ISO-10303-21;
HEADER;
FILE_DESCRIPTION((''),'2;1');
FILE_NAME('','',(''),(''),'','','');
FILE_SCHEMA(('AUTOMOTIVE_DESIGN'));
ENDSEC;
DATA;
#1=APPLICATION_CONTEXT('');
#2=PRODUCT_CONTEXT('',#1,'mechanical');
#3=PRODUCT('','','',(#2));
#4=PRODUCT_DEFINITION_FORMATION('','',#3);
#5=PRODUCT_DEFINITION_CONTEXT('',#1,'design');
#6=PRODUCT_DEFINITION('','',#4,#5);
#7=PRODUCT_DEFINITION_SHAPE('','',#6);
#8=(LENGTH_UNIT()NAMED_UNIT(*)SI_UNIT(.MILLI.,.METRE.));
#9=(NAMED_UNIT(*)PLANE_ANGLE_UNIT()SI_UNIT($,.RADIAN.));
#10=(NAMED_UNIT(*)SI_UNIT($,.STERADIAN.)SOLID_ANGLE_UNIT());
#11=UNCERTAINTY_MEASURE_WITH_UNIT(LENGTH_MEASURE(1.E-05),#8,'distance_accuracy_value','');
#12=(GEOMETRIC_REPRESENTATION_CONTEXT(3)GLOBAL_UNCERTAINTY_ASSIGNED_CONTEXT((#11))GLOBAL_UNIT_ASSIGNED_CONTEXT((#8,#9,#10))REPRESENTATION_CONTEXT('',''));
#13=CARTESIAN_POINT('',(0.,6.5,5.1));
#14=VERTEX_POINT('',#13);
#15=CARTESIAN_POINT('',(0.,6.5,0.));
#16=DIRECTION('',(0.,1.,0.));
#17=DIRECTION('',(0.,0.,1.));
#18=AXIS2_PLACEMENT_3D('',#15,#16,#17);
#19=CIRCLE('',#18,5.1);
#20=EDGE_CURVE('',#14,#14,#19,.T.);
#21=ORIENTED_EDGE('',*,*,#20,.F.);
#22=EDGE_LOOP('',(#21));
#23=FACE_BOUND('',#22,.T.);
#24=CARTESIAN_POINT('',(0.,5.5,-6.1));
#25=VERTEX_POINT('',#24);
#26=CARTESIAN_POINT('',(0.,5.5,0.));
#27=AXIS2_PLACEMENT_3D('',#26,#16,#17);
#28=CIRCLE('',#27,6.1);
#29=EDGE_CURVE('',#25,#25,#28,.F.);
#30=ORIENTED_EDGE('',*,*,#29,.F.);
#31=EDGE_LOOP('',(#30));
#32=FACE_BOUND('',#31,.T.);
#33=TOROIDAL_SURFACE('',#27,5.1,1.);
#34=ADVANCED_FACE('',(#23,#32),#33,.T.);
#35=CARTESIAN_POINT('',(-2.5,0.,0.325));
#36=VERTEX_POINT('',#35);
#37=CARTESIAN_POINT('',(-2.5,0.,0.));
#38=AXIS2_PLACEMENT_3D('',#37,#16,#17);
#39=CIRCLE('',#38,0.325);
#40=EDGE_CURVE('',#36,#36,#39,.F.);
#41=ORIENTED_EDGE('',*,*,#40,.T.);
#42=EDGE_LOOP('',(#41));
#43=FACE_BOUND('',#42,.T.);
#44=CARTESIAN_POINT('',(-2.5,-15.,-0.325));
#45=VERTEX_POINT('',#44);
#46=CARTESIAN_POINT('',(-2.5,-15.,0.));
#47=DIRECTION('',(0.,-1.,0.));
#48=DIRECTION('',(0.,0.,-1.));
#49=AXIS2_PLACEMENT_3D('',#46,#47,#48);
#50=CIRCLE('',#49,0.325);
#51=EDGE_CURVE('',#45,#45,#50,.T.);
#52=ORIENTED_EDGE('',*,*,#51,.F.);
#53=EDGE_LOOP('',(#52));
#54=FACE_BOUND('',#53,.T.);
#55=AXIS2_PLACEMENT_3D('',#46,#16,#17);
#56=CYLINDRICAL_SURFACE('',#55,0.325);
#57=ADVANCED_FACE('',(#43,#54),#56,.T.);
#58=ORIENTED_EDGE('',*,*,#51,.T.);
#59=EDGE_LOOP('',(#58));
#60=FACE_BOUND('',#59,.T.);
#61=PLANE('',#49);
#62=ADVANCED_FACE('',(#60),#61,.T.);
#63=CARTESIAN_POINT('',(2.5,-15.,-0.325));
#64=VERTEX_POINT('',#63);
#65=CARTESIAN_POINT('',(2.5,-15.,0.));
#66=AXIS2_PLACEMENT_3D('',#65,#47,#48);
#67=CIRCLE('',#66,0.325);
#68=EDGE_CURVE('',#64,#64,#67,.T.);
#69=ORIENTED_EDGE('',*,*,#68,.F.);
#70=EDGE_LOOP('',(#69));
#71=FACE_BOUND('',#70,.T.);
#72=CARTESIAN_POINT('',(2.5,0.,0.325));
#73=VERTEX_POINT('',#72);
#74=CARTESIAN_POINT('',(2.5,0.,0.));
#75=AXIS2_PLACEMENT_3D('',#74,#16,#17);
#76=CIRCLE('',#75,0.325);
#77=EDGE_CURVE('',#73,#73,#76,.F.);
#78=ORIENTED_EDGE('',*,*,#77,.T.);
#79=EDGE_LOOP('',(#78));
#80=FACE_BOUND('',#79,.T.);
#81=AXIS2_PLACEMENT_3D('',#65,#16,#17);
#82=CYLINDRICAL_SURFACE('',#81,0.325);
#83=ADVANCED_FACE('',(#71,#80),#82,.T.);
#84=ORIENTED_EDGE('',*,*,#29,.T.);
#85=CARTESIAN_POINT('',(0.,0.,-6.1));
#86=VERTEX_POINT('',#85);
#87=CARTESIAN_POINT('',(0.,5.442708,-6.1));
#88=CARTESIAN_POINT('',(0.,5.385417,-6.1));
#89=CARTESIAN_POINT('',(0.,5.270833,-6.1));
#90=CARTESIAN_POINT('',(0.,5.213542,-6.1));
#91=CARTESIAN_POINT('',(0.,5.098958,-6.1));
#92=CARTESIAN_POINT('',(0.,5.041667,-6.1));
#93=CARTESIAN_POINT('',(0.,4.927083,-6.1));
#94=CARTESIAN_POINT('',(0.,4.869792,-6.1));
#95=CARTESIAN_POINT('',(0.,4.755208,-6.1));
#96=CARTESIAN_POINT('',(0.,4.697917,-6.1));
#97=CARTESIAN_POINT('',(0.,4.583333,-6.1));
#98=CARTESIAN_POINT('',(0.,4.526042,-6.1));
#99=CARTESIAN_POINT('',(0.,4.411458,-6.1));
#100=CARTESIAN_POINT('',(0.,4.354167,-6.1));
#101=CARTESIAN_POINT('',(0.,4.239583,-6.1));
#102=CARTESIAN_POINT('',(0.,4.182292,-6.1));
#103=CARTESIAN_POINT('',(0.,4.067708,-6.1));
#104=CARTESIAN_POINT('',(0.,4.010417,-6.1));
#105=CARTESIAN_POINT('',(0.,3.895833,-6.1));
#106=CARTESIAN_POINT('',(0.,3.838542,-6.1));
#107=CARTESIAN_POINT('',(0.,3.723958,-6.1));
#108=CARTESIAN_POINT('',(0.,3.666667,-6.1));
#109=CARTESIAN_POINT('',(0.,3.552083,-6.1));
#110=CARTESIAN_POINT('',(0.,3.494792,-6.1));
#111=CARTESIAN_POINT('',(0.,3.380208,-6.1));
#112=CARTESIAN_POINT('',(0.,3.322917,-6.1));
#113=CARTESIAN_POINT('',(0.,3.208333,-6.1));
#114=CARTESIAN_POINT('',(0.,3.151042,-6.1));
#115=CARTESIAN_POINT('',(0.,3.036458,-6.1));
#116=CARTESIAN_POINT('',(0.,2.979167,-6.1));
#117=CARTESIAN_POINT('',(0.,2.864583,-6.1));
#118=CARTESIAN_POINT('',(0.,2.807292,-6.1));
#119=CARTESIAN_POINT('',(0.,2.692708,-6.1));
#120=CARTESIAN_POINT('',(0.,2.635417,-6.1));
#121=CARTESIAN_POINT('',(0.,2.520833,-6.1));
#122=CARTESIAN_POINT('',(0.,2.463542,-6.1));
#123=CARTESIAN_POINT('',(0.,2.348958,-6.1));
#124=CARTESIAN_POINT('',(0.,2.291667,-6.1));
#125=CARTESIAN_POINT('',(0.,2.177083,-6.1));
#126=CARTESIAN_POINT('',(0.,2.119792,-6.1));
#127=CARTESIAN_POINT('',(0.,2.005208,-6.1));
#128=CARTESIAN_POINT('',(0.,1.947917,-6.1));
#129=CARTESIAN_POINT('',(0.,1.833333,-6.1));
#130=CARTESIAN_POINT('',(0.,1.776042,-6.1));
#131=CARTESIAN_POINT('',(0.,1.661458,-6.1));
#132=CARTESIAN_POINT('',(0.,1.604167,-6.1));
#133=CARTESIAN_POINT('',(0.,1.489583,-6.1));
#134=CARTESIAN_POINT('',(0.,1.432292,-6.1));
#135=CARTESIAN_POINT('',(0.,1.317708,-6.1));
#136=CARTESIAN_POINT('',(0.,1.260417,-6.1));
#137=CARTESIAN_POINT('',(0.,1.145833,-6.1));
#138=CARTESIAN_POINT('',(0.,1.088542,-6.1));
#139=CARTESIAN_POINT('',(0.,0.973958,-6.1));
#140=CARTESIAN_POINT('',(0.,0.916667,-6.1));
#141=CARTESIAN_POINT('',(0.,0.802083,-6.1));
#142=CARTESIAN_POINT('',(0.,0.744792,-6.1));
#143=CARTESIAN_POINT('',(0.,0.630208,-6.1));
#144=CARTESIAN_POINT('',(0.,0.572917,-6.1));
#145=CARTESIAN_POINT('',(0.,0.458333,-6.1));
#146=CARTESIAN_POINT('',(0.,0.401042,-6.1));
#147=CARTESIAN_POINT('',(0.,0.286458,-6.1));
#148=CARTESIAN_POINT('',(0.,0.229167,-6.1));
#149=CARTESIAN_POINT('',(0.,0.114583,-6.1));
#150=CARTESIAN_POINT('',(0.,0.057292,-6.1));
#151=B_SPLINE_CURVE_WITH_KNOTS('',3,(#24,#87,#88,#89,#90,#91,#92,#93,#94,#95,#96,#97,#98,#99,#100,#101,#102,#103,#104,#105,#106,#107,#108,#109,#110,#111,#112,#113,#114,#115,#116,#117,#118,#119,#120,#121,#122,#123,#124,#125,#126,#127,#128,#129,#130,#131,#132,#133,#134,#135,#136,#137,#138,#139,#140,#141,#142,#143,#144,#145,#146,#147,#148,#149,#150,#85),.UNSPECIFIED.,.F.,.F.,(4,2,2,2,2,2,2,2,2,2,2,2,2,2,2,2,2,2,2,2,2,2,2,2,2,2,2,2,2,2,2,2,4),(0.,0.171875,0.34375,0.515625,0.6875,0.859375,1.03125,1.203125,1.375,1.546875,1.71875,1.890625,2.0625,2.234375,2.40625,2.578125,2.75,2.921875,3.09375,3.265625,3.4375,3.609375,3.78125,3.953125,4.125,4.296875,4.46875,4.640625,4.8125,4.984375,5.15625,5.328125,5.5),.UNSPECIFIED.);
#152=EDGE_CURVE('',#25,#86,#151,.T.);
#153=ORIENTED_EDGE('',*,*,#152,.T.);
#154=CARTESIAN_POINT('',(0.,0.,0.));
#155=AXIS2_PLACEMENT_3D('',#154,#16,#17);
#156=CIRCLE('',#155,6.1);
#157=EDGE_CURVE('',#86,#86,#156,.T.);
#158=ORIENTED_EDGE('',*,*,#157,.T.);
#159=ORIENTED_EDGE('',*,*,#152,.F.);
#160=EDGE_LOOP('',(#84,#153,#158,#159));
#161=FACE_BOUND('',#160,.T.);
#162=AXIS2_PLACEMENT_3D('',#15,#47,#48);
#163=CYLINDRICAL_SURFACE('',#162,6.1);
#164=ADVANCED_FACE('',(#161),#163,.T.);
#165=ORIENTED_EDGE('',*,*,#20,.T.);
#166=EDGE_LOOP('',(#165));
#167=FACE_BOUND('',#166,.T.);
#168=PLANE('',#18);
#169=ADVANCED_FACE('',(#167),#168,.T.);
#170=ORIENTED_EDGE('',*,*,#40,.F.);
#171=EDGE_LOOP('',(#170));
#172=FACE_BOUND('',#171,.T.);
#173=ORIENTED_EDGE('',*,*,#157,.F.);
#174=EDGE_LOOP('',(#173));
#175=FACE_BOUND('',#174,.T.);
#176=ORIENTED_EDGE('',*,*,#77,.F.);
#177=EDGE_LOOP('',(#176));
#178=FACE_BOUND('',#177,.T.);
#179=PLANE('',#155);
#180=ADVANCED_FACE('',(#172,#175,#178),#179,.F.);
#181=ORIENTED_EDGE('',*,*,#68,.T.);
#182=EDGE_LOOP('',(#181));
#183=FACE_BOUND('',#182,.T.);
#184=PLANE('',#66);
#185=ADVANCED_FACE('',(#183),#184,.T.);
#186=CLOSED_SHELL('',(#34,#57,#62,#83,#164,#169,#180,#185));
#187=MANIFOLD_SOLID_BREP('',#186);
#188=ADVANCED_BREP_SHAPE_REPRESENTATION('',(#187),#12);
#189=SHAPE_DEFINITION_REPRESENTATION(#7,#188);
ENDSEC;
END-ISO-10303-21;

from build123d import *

# Parameters (mm, degrees)
SKETCH2_R           = 6.1
BOSS_EXTRUDE1_DEPTH = 6.5
SKETCH3_R           = 0.325
BOSS_EXTRUDE2_DEPTH = 15
FILLET1_R           = 1


with BuildPart() as part:
    # Sketch2 → Boss-Extrude1 (new body)
    with BuildSketch(Plane(origin=(0, 0, 0), x_dir=(1, 0, 0), z_dir=(0, 1, 0))):
        with Locations(Location((0, 0, 0), (0, 0, 90))):
            Circle(SKETCH2_R)
    extrude(amount=BOSS_EXTRUDE1_DEPTH)

    # Sketch3 → Boss-Extrude2 (add)
    with BuildSketch(Plane.XZ):
        with Locations(Location((-2.5, 0, 0), (0, 0, 90))):
            Circle(SKETCH3_R)
        with Locations(Location((2.5, 0, 0), (0, 0, 90))):
            Circle(SKETCH3_R)
    extrude(amount=BOSS_EXTRUDE2_DEPTH)

    # Fillet1
    fillet1_edges = [part.edges().sort_by_distance(p)[0] for p in [
        (0, 6.5, 6.1),
    ]]
    fillet(fillet1_edges, radius=FILLET1_R)


solid = part.part
